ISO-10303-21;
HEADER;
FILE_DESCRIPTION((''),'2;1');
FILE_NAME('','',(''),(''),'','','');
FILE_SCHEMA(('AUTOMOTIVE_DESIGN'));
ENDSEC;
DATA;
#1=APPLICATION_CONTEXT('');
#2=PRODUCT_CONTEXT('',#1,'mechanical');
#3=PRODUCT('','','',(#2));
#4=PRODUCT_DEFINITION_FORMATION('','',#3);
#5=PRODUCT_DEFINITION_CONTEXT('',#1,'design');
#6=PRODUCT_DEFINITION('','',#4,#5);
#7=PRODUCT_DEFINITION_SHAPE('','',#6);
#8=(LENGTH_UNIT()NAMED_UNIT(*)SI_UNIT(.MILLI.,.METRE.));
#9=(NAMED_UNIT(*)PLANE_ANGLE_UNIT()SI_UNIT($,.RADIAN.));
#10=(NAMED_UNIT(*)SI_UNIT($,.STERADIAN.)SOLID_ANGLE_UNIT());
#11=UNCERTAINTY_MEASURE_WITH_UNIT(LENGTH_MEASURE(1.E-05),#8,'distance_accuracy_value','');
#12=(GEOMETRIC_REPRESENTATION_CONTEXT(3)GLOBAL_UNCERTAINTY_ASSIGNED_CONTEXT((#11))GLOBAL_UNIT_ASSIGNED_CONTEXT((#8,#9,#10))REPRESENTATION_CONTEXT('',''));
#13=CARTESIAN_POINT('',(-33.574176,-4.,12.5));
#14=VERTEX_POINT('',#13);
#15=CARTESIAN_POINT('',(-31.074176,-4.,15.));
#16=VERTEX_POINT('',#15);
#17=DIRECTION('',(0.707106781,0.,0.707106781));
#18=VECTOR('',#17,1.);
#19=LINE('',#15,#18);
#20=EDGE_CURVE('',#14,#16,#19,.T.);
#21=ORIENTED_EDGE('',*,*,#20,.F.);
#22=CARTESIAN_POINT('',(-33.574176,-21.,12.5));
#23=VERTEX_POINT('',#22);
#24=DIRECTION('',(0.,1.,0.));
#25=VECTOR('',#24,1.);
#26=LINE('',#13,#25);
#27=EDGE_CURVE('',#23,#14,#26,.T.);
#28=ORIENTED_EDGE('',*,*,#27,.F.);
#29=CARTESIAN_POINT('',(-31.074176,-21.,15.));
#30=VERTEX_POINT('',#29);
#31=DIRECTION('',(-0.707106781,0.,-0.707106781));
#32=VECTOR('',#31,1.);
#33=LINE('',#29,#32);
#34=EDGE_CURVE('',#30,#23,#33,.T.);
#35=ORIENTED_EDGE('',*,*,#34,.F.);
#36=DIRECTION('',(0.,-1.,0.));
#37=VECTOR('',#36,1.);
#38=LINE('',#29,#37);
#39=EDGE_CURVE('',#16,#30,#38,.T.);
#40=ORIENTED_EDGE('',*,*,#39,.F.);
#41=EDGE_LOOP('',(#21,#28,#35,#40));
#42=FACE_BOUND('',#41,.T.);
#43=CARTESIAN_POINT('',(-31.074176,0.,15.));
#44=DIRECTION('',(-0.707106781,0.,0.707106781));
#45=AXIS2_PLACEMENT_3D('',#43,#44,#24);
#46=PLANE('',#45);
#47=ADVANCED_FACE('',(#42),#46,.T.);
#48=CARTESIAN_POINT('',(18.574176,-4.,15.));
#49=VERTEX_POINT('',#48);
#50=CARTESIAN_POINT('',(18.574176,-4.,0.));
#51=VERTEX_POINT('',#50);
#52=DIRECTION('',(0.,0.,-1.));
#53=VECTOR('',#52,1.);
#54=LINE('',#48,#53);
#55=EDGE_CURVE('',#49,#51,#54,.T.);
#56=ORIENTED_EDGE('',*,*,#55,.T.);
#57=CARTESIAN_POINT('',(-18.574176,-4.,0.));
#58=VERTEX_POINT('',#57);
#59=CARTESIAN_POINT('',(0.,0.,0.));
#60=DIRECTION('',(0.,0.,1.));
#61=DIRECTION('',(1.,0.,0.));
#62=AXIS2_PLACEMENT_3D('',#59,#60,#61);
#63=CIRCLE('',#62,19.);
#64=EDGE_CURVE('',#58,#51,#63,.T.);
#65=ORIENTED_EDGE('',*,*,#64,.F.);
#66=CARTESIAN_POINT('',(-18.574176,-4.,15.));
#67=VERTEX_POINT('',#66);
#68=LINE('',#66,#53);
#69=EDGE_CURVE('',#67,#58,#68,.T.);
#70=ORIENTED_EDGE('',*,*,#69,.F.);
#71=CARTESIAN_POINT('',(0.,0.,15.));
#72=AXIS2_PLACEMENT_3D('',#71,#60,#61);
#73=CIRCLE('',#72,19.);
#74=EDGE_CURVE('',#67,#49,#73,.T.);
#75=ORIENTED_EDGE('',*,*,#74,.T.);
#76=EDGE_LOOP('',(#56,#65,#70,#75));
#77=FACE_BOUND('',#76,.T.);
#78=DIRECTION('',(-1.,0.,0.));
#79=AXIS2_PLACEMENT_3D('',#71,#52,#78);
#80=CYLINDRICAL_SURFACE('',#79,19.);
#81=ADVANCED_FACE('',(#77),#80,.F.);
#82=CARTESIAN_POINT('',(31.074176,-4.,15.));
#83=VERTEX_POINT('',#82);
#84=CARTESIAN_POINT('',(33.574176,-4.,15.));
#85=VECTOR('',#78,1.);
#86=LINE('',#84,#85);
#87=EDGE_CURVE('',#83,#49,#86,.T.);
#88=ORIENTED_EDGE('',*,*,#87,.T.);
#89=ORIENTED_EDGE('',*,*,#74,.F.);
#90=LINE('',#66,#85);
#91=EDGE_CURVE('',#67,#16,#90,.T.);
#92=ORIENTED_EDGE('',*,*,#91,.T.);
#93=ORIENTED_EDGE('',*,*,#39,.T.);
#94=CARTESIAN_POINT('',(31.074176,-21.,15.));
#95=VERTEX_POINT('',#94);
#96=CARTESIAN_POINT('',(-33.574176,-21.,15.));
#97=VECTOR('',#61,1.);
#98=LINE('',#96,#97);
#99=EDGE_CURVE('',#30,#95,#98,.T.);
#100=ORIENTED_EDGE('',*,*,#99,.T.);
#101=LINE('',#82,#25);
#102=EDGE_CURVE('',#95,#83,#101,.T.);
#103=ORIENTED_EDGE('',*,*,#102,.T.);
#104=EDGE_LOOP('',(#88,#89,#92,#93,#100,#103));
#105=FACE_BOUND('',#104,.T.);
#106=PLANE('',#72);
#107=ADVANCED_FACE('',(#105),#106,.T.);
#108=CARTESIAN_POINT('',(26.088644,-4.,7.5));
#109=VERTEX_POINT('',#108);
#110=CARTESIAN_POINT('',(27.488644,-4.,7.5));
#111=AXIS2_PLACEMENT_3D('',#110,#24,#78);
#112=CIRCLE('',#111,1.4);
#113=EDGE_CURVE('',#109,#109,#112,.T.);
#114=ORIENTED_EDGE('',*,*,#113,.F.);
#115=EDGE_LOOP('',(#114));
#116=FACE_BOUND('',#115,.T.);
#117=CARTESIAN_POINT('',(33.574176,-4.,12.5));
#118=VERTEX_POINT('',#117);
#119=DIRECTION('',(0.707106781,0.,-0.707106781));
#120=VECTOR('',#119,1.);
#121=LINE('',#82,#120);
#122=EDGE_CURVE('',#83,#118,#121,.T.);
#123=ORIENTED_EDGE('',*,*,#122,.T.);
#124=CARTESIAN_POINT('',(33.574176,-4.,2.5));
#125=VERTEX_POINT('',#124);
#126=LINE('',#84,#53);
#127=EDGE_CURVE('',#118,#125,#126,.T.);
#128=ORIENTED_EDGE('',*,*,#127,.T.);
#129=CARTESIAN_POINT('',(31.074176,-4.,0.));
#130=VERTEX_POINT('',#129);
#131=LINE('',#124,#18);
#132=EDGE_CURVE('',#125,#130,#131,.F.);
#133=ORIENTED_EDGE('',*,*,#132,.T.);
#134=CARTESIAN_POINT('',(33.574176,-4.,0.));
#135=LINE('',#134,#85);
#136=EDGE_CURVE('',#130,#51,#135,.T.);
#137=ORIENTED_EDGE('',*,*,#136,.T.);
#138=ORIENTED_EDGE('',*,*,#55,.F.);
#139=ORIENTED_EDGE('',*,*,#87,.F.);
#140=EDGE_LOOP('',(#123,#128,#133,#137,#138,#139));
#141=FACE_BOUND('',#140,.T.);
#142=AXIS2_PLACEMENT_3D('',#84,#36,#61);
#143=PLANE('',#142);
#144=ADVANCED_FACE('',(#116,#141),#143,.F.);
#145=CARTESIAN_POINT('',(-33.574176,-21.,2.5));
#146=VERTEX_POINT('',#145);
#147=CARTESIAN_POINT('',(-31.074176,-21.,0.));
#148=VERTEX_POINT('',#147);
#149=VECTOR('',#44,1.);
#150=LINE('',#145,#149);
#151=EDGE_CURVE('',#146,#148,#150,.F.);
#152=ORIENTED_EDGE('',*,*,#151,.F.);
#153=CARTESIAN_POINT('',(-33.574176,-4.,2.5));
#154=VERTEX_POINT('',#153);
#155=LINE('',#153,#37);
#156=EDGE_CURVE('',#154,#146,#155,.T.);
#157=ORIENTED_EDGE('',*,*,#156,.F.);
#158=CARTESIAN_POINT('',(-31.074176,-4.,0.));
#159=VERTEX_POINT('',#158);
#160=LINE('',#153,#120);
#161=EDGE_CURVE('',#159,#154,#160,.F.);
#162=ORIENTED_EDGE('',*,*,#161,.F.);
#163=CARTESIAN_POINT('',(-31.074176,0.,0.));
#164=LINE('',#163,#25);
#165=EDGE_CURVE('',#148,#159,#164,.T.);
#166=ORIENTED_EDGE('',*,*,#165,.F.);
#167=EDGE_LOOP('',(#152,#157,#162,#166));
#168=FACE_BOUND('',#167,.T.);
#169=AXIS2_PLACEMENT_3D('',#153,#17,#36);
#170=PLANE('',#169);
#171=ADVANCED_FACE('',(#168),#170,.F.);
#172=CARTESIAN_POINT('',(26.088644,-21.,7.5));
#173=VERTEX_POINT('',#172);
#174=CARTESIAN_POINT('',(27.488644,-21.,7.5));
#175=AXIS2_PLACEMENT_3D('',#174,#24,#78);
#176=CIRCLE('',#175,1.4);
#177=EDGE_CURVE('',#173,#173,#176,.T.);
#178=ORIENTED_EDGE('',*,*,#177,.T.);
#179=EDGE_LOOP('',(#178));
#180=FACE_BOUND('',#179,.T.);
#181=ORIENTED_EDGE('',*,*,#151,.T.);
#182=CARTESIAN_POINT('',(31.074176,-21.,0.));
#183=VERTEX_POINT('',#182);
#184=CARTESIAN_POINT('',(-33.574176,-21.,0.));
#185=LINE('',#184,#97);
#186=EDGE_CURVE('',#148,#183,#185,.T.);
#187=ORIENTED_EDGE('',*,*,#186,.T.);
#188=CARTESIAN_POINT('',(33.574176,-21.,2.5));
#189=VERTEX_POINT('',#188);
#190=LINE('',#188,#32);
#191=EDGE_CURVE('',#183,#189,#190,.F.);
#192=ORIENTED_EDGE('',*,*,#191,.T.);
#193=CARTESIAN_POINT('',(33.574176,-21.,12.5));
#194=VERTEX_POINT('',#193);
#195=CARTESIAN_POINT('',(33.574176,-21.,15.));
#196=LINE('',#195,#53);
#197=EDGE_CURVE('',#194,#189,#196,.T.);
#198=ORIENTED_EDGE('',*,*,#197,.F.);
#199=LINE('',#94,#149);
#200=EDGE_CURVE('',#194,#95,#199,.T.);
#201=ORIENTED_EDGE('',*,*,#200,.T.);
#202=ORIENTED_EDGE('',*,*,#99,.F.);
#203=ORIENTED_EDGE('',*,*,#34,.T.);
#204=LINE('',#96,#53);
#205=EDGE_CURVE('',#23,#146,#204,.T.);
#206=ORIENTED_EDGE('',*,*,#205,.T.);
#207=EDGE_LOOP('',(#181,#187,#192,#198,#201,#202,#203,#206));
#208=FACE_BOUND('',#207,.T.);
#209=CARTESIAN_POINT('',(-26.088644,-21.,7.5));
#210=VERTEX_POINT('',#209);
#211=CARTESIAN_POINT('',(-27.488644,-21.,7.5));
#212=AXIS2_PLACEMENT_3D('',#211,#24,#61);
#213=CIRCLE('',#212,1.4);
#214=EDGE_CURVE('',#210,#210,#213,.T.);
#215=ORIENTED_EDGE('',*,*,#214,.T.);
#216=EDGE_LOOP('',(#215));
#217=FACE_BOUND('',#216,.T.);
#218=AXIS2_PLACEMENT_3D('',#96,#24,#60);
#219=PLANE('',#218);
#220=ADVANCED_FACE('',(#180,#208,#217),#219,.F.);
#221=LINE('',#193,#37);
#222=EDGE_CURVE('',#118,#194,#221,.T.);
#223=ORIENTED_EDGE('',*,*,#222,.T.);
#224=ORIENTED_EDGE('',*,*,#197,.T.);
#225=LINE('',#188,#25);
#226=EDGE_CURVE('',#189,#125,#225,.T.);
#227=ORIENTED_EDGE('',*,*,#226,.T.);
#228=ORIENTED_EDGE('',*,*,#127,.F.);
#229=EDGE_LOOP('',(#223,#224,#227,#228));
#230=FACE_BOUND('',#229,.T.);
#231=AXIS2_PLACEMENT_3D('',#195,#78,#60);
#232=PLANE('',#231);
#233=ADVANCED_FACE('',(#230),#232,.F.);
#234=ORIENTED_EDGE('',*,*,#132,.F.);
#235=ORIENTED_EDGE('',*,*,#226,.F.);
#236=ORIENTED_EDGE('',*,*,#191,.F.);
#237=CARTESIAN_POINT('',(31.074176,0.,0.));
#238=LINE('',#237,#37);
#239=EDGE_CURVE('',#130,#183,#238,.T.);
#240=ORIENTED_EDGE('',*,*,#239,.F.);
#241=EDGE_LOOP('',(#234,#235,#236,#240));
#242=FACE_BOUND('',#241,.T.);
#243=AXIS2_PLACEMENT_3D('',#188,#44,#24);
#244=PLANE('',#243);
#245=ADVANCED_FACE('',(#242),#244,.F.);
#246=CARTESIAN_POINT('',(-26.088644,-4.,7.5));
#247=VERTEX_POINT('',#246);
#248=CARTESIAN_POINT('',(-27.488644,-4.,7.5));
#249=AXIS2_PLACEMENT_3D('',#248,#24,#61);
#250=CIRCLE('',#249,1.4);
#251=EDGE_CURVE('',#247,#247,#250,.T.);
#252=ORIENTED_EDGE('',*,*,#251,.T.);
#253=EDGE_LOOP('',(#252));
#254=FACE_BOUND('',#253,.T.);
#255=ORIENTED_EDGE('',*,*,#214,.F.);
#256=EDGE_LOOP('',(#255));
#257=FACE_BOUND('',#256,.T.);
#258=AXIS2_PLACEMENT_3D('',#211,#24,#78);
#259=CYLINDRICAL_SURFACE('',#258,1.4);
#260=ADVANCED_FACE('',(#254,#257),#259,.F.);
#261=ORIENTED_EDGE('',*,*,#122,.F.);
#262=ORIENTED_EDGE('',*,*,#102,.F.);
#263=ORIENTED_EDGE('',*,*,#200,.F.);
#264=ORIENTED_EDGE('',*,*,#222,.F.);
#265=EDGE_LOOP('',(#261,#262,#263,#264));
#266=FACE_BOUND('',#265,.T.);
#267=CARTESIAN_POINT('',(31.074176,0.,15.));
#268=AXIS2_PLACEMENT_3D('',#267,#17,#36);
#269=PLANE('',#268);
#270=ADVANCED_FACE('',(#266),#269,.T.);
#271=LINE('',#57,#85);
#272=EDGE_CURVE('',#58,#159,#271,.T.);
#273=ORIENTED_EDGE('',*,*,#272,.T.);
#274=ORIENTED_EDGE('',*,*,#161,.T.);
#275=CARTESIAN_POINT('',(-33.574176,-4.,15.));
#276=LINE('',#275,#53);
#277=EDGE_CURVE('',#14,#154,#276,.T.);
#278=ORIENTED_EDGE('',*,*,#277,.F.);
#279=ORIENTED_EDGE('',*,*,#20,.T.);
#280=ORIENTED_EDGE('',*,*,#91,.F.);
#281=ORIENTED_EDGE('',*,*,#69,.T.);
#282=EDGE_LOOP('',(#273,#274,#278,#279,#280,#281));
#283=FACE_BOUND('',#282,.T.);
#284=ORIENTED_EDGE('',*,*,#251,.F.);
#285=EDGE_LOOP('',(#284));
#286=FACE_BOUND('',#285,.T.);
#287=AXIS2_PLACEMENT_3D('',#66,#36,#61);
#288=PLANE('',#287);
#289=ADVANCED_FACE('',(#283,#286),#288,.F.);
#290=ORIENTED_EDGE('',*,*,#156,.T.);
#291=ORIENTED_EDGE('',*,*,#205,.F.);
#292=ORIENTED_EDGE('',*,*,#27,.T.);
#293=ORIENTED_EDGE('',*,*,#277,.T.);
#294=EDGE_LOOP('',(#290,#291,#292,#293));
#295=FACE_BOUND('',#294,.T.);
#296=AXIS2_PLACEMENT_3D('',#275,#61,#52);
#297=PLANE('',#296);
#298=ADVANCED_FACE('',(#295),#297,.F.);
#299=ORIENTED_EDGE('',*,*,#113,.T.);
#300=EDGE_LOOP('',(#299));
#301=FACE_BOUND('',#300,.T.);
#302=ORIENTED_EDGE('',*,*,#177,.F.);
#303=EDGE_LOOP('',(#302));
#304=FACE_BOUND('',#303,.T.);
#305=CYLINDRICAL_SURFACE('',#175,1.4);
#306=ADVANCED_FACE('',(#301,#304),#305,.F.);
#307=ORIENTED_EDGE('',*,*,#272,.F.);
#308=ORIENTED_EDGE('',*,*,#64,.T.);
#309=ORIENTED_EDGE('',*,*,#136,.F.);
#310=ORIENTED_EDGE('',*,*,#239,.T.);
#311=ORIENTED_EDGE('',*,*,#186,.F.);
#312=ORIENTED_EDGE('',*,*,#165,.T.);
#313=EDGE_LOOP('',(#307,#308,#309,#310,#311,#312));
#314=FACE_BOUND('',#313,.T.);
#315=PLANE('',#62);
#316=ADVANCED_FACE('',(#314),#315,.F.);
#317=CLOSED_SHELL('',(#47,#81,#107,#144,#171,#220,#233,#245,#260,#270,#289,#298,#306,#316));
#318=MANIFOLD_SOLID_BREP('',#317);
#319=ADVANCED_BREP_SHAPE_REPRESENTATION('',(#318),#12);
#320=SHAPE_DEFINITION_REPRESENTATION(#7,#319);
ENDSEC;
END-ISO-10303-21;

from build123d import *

# Parameters (mm, degrees)
BOSS_EXTRUDE1_DEPTH = 15
CHAMFER1_SIZE       = 2.5
SKETCH2_R           = 1.4
CUT_EXTRUDE1_DEPTH  = 41.512038564


with BuildPart() as part:
    # Sketch1 → Boss-Extrude1 (new body)
    with BuildSketch(Plane.XY):
        with BuildLine():
            Line((-18.574175621, -4), (-33.574175621, -4))
            Line((-33.574175621, -4), (-33.574175621, -21))
            Line((-33.574175621, -21), (33.574175621, -21))
            Line((33.574175621, -21), (33.574175621, -4))
            Line((33.574175621, -4), (18.574175621, -4))
            ThreePointArc((18.574175621, -4), (0, -19), (-18.574175621, -4))
        make_face()
    extrude(amount=BOSS_EXTRUDE1_DEPTH)

    # Chamfer1
    chamfer1_edges = [part.edges().sort_by_distance(p)[0] for p in [
        (-33.574175621, -12.5, 15),
        (33.574175621, -12.5, 15),
        (-33.574175621, -12.5, 0),
        (33.574175621, -12.5, 0),
    ]]
    chamfer(chamfer1_edges, length=CHAMFER1_SIZE)

    # Sketch2 → Cut-Extrude1 (cut, through all)
    with BuildSketch(Plane(origin=(0, -4, 0), x_dir=(1, 0, 0), z_dir=(0, 1, 0))):
        with Locations(Location((27.488644481, -7.5, 0), (0, 0, 180))):
            Circle(SKETCH2_R)
        with Locations((-27.488644481, -7.5)):
            Circle(SKETCH2_R)
    extrude(amount=-CUT_EXTRUDE1_DEPTH, mode=Mode.SUBTRACT)


solid = part.part
